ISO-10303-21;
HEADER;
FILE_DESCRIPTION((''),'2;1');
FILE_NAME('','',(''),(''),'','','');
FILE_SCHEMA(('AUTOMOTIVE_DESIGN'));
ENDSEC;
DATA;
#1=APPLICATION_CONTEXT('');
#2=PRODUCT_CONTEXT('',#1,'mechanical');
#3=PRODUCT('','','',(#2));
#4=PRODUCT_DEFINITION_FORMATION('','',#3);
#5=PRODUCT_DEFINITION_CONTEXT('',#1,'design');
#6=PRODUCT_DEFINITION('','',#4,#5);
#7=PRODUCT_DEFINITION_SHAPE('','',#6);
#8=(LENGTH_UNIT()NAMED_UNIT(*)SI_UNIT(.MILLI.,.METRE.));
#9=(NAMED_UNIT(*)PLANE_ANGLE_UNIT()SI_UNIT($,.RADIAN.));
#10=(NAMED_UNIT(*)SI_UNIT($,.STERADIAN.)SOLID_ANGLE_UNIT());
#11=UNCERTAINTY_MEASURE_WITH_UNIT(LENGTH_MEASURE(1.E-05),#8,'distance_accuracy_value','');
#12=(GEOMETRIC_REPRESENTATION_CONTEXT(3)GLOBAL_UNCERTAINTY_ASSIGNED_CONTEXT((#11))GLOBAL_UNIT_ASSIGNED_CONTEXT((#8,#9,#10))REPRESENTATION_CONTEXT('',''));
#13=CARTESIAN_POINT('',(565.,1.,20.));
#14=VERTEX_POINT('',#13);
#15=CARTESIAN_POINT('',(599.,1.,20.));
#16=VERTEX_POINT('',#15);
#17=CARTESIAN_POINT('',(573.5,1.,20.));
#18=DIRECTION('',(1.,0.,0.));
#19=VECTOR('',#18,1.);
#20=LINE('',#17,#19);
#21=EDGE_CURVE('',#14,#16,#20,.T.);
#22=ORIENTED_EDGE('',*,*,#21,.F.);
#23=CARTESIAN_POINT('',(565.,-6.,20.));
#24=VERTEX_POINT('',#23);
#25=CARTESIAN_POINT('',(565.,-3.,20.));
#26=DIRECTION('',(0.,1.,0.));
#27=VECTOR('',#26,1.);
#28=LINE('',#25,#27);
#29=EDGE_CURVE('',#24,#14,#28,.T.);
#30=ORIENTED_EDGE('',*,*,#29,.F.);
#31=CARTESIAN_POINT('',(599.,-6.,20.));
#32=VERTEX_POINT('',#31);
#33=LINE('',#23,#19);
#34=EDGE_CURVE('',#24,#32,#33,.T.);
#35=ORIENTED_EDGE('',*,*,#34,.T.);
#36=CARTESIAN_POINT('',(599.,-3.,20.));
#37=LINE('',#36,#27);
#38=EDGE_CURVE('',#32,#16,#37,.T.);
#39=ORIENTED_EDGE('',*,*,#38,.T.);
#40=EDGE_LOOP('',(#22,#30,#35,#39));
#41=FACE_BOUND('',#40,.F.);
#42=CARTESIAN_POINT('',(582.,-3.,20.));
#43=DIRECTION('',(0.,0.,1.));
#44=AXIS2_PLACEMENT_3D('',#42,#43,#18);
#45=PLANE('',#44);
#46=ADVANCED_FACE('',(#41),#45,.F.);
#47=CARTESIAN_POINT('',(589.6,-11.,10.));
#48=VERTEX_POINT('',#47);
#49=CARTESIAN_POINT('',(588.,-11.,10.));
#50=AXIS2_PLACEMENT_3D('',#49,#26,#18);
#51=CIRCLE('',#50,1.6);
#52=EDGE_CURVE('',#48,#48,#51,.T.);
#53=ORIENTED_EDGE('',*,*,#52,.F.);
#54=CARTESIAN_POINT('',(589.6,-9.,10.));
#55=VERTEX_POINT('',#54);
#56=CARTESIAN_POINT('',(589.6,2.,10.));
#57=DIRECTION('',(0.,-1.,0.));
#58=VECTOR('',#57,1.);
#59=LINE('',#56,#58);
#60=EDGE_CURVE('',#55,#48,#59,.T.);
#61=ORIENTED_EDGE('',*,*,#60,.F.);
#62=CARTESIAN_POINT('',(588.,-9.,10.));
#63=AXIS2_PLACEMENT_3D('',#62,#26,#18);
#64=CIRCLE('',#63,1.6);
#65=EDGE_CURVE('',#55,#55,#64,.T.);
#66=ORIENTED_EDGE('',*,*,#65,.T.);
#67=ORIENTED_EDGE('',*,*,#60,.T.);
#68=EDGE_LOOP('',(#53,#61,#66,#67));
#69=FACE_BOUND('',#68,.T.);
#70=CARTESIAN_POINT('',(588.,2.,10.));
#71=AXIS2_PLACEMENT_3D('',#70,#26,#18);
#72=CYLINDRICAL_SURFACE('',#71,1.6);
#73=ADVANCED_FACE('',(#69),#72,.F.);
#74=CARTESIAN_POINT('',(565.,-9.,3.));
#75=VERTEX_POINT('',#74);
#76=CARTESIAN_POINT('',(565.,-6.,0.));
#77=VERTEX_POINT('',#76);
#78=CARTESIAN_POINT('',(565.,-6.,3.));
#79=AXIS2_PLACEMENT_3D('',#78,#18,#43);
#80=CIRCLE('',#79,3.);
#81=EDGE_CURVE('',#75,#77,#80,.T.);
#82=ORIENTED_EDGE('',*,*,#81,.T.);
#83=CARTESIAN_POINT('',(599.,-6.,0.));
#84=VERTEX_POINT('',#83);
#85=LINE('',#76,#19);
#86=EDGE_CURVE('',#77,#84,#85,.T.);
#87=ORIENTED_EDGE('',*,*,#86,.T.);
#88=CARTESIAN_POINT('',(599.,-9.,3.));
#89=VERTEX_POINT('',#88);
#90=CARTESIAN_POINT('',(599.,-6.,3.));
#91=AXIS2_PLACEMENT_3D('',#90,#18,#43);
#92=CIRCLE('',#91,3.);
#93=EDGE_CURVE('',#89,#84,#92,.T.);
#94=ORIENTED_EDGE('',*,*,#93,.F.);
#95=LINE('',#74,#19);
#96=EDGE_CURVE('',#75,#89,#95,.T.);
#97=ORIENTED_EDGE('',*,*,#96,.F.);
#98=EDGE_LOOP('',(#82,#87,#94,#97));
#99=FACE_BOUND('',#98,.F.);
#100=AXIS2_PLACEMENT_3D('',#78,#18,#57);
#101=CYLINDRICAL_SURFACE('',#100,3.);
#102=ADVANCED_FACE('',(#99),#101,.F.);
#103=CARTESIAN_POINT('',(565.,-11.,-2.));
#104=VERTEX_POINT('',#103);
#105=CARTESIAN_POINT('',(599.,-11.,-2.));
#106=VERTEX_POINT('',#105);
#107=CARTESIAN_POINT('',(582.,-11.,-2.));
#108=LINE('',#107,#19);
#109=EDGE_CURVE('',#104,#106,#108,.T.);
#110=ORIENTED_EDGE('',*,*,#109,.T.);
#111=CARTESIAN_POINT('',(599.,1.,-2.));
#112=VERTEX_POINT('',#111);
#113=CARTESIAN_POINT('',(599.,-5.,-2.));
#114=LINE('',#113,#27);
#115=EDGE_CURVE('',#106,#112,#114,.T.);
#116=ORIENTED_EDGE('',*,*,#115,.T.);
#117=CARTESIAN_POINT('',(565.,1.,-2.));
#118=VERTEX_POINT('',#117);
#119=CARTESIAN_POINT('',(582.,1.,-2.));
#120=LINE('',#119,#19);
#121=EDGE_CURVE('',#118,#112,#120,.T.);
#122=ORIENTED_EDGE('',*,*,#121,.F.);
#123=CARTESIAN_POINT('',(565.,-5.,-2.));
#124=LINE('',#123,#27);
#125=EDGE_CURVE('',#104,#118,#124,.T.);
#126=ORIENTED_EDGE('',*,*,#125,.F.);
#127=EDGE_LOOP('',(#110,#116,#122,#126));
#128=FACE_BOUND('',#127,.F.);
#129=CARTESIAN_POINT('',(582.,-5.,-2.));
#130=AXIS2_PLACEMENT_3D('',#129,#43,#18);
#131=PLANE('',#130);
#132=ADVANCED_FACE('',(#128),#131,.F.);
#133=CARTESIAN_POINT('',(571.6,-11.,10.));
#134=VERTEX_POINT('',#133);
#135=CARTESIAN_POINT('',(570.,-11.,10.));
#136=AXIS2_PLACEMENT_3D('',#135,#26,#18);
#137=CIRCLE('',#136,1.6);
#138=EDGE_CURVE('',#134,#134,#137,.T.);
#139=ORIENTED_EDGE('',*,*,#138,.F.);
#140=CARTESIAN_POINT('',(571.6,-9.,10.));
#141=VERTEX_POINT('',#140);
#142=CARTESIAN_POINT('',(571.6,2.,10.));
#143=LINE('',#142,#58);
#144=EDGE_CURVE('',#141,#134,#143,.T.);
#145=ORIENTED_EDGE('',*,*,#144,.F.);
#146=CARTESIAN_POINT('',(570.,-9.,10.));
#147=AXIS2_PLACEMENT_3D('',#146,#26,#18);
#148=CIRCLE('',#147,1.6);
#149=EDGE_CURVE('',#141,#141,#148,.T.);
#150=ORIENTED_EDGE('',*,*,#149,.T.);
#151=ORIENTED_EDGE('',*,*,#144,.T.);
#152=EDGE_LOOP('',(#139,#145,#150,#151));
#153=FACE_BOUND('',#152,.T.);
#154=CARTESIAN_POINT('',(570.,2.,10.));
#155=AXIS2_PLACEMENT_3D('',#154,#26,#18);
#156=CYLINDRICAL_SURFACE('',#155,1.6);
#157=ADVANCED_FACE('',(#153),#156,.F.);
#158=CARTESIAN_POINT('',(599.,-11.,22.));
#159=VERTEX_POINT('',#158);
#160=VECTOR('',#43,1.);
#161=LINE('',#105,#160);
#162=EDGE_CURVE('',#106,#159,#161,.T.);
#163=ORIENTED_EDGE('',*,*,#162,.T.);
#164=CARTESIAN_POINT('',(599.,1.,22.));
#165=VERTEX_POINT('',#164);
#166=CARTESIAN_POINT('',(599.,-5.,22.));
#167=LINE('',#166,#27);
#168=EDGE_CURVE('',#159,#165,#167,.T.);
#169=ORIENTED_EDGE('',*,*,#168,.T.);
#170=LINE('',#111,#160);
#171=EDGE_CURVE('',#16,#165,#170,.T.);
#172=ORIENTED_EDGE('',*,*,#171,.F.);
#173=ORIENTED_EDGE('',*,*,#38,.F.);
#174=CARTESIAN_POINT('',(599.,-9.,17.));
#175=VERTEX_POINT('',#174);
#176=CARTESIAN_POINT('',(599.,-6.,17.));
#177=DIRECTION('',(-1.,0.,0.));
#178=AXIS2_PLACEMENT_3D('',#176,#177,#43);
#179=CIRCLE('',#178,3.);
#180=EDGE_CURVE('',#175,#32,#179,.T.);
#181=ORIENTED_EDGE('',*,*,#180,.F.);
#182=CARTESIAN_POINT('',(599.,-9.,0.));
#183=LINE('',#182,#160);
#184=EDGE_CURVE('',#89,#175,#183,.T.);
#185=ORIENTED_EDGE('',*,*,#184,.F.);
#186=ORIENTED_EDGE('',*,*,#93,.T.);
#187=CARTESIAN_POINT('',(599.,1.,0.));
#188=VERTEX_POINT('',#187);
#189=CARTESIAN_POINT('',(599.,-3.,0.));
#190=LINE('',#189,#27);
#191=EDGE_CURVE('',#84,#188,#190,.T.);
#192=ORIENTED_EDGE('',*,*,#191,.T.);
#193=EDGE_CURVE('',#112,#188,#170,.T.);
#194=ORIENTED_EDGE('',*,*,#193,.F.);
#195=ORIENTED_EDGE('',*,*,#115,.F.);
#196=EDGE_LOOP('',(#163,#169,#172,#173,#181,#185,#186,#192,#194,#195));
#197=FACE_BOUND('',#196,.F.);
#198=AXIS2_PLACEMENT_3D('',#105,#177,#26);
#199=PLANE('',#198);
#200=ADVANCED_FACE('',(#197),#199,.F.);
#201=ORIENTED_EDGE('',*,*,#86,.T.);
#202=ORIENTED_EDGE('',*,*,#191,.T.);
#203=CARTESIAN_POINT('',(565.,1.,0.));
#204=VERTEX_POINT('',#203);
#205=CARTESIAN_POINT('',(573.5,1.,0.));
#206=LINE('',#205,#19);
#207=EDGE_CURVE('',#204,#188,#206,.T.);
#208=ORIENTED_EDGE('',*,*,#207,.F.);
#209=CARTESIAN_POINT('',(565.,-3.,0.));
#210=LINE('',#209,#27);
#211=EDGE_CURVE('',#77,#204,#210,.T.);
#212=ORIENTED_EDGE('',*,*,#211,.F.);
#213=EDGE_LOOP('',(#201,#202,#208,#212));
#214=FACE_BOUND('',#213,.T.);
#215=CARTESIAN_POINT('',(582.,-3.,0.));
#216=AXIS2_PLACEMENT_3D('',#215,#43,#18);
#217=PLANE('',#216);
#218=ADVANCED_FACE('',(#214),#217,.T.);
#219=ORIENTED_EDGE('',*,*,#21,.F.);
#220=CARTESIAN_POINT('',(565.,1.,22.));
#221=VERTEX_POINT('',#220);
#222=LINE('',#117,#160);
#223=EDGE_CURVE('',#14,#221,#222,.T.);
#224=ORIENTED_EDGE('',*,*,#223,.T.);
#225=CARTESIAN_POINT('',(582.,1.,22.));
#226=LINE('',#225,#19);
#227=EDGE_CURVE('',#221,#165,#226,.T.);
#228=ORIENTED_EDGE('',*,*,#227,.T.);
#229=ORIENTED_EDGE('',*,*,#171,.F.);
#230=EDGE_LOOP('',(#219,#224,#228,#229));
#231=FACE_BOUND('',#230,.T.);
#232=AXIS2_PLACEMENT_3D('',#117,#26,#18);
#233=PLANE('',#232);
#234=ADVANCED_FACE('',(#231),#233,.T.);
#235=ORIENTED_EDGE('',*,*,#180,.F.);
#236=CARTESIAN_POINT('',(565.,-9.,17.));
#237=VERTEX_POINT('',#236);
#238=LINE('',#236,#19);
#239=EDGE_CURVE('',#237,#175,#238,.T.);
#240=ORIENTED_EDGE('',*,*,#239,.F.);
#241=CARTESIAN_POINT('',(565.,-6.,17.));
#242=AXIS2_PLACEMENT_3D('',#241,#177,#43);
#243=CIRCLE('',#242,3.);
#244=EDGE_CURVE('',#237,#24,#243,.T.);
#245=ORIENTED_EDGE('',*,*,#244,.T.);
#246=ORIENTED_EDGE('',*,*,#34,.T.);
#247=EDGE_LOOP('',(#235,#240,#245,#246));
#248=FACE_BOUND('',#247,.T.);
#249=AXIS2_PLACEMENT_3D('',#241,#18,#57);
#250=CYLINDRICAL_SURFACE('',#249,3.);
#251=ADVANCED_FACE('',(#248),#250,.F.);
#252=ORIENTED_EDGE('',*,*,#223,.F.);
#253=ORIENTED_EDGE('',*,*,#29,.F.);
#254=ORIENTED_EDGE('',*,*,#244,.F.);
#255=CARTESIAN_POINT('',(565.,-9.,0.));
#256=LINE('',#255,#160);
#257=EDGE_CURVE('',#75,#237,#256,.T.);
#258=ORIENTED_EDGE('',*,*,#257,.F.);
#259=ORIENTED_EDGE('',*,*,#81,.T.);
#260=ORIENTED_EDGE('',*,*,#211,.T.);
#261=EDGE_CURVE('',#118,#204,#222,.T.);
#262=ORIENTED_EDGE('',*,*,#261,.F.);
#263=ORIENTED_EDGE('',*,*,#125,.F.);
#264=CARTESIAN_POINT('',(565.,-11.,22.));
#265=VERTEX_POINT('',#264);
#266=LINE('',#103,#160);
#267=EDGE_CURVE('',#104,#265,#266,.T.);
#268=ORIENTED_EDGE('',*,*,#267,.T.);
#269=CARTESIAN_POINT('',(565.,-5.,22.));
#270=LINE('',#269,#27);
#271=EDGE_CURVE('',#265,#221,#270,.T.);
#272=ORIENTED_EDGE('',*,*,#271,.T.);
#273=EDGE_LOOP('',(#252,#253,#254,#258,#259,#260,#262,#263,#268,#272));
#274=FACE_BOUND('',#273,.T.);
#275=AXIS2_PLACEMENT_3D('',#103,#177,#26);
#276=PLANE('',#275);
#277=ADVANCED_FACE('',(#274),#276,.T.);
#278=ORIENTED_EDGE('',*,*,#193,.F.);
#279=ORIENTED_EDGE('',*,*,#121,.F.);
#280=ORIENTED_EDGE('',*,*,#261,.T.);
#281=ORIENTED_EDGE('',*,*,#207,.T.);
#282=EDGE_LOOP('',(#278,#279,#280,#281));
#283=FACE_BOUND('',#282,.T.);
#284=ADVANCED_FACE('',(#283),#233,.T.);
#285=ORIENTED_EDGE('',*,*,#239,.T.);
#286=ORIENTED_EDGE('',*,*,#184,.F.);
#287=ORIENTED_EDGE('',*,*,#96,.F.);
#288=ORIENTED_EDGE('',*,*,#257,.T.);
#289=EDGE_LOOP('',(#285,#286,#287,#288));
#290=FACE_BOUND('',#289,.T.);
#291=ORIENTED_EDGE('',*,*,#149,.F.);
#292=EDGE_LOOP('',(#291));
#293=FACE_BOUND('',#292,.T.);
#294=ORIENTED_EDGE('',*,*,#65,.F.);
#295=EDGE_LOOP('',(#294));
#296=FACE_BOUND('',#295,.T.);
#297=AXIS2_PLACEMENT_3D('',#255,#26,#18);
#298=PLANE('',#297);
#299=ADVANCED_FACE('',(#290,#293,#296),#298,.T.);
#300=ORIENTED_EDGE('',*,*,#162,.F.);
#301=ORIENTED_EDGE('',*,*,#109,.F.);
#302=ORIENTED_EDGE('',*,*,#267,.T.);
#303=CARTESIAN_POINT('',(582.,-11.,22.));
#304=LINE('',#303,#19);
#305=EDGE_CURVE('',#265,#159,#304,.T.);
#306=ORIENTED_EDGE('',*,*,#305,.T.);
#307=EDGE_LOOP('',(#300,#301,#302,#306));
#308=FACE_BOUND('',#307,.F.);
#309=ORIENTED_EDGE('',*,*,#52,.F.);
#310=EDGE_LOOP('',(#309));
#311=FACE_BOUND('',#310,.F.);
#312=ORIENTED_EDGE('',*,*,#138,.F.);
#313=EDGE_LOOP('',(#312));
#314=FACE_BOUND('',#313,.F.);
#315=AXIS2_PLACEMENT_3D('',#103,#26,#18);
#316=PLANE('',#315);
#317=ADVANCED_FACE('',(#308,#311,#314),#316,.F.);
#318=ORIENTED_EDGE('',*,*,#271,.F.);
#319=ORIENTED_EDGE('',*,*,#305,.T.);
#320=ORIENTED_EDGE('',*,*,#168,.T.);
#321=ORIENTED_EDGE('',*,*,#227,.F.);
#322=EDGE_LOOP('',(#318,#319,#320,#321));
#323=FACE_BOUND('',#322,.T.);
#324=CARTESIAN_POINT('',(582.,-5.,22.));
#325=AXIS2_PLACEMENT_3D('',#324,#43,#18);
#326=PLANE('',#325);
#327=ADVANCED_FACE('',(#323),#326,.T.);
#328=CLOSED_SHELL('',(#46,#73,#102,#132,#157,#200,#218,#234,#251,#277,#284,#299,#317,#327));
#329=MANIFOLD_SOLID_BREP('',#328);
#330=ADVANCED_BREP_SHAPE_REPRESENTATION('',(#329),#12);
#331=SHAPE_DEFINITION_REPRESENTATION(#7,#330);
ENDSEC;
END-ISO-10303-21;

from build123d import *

# Parameters (mm, degrees)
CYLINDER458_R     = 1.6
CYLINDER458_DEPTH = 15
CYLINDER459_R     = 1.6
CYLINDER459_DEPTH = 15
BOX311_W          = 34
BOX311_H          = 12
BOX311_DEPTH      = 20
FILLET111_R       = 3
BOX310_W          = 34
BOX310_H          = 12
BOX310_DEPTH      = 24


with BuildPart() as cylinder458:
    # Cylinder458 → Cylinder458 (new body)
    with BuildSketch(Plane(origin=(588, 6, 10), x_dir=(1, 0, 0), z_dir=(0, -1, 0))):
        Circle(CYLINDER458_R)
    extrude(amount=CYLINDER458_DEPTH)


with BuildPart() as fusion415:
    # Cylinder459 → Cylinder459 (new body)
    with BuildSketch(Plane(origin=(570, 6, 10), x_dir=(1, 0, 0), z_dir=(0, -1, 0))):
        Circle(CYLINDER459_R)
    extrude(amount=CYLINDER459_DEPTH)

    # Fusion415: union Cylinder458
    add(cylinder458.part)


with BuildPart() as fusion415_1:
    # Fusion415 placement: moved
    add(fusion415.part.moved(Location((0, -4, 0))))


with BuildPart() as fillet111:
    # Box311 → Box311 (new body)
    with BuildSketch(Plane(origin=(565, -9, 0), x_dir=(1, 0, 0), z_dir=(0, 0, 1))):
        with Locations((17, 6)):
            Rectangle(BOX311_W, BOX311_H)
    extrude(amount=BOX311_DEPTH)

    # Fillet111
    fillet111_edges = [fillet111.edges().sort_by_distance(p)[0] for p in [
        (582, -9, 0),
        (582, -9, 20),
    ]]
    fillet(fillet111_edges, radius=FILLET111_R)


with BuildPart() as rear_cross_member_wide_holes:
    # Box310 → Box310 (new body)
    with BuildSketch(Plane(origin=(565, -11, -2), x_dir=(1, 0, 0), z_dir=(0, 0, 1))):
        with Locations((17, 6)):
            Rectangle(BOX310_W, BOX310_H)
    extrude(amount=BOX310_DEPTH)

    # Cut308: cut Fillet111
    add(fillet111.part, mode=Mode.SUBTRACT)

    # Cut309: cut Fusion415
    add(fusion415_1.part, mode=Mode.SUBTRACT)


solid = rear_cross_member_wide_holes.part
